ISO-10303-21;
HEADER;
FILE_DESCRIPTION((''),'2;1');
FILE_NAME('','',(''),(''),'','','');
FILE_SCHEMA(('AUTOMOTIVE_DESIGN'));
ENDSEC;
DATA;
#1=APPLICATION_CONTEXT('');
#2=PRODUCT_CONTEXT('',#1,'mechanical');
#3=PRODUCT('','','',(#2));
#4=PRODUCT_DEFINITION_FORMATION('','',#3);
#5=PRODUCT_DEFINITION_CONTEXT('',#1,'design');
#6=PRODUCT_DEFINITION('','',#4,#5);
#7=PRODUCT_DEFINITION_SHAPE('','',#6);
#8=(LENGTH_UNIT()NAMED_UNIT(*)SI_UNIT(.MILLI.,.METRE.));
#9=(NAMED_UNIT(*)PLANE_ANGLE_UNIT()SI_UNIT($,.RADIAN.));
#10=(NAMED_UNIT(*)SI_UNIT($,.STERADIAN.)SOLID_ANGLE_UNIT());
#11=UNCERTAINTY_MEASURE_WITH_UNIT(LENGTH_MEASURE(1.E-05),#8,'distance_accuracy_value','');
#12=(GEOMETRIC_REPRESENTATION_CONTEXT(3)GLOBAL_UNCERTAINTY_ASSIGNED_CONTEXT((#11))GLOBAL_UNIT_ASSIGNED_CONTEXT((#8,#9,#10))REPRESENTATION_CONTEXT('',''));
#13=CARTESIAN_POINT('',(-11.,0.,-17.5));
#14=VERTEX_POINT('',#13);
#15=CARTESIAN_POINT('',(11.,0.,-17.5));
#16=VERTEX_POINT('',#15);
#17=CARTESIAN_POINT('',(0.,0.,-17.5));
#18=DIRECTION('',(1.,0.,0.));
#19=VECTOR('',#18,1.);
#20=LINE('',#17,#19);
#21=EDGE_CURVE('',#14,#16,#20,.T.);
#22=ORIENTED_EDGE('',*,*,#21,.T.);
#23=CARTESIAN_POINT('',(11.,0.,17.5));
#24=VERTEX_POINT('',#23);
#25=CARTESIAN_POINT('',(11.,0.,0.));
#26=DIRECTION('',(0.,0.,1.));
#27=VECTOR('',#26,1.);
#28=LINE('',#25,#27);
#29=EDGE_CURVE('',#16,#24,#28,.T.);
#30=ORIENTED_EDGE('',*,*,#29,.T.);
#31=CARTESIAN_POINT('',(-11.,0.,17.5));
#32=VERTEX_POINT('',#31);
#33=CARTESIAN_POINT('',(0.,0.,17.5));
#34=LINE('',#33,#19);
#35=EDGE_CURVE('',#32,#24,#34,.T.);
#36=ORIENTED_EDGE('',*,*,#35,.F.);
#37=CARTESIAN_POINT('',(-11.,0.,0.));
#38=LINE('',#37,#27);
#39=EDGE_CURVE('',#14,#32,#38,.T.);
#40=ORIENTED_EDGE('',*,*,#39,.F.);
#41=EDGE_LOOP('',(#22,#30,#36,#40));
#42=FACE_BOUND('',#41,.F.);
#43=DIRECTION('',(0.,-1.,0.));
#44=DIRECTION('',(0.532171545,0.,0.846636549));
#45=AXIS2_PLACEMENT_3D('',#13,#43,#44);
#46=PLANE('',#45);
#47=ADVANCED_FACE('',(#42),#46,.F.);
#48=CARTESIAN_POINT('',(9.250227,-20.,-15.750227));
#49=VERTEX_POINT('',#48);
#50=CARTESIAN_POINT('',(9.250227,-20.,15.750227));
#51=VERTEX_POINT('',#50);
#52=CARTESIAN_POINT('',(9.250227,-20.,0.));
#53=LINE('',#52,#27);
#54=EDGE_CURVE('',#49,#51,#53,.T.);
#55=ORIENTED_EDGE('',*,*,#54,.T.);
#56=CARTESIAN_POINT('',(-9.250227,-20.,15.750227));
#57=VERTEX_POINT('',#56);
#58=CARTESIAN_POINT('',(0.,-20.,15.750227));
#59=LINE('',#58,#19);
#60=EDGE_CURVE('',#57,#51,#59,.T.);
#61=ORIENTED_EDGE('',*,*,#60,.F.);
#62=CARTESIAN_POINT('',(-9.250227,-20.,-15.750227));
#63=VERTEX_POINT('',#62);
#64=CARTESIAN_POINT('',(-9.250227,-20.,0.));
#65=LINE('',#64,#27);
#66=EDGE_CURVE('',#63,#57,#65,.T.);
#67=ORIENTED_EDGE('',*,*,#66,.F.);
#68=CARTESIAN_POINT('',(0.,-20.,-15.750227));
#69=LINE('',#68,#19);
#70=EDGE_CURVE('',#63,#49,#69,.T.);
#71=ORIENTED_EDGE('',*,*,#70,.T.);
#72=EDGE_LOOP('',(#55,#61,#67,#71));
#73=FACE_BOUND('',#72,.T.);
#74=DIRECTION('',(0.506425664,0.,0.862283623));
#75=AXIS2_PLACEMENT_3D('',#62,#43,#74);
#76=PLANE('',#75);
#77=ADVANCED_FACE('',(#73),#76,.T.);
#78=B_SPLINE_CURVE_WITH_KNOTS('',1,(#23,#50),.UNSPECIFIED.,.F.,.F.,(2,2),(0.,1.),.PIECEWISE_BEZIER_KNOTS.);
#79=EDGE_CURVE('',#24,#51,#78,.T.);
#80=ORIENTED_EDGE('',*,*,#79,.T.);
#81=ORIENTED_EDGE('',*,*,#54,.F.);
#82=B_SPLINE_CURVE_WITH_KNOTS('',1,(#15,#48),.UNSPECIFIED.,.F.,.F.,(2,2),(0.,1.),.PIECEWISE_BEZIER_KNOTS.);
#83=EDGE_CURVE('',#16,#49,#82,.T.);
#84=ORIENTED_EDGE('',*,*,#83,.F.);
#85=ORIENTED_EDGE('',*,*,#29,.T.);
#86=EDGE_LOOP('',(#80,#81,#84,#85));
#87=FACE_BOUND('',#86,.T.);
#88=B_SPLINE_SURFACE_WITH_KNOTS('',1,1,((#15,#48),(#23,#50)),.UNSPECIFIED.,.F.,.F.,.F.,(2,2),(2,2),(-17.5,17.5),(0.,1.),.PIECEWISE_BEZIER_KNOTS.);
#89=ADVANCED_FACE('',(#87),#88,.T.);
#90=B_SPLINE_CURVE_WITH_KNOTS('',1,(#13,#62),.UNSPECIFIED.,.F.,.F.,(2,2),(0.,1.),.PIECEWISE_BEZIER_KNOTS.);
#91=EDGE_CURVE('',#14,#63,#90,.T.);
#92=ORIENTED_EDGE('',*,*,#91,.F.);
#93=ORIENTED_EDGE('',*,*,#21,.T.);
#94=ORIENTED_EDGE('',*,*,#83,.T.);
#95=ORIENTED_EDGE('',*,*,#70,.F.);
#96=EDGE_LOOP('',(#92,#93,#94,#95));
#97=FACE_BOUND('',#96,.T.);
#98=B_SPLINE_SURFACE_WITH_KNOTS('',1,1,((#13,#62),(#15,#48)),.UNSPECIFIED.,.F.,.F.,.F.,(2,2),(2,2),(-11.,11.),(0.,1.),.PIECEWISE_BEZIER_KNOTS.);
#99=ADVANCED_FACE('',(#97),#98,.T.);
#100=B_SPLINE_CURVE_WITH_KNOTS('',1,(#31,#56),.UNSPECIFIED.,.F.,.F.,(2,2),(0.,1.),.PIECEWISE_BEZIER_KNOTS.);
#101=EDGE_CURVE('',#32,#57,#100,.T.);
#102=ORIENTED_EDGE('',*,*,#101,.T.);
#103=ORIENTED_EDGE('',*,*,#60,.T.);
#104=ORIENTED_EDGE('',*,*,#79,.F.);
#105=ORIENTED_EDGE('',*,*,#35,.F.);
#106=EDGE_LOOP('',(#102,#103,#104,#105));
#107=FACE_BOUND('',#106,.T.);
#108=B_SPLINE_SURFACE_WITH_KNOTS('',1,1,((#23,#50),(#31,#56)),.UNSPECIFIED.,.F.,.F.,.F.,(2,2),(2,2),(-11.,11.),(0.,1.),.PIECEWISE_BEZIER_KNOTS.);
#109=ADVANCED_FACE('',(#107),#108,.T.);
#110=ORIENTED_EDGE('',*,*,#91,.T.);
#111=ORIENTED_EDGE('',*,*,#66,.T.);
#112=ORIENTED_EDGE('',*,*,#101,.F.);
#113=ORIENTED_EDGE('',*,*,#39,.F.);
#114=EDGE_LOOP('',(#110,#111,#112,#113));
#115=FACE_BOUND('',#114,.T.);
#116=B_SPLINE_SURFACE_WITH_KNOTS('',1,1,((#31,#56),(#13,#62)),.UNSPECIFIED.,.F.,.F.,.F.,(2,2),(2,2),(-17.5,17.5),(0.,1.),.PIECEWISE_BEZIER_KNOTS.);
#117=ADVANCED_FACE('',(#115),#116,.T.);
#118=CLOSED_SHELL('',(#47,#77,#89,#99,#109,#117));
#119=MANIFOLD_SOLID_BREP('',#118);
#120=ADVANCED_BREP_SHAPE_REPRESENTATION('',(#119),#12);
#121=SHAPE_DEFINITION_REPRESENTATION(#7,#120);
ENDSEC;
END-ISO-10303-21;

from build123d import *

# Parameters (mm, degrees)
F0_W     = 22
F0_H     = 35
F1_DEPTH = 20
F1_TAPER = 5


with BuildPart() as f1:
    # F0 (on Front) → F1 (new body)
    with BuildSketch(Plane.XZ):
        Rectangle(F0_W, F0_H)
    extrude(amount=F1_DEPTH, taper=F1_TAPER)


solid = f1.part
